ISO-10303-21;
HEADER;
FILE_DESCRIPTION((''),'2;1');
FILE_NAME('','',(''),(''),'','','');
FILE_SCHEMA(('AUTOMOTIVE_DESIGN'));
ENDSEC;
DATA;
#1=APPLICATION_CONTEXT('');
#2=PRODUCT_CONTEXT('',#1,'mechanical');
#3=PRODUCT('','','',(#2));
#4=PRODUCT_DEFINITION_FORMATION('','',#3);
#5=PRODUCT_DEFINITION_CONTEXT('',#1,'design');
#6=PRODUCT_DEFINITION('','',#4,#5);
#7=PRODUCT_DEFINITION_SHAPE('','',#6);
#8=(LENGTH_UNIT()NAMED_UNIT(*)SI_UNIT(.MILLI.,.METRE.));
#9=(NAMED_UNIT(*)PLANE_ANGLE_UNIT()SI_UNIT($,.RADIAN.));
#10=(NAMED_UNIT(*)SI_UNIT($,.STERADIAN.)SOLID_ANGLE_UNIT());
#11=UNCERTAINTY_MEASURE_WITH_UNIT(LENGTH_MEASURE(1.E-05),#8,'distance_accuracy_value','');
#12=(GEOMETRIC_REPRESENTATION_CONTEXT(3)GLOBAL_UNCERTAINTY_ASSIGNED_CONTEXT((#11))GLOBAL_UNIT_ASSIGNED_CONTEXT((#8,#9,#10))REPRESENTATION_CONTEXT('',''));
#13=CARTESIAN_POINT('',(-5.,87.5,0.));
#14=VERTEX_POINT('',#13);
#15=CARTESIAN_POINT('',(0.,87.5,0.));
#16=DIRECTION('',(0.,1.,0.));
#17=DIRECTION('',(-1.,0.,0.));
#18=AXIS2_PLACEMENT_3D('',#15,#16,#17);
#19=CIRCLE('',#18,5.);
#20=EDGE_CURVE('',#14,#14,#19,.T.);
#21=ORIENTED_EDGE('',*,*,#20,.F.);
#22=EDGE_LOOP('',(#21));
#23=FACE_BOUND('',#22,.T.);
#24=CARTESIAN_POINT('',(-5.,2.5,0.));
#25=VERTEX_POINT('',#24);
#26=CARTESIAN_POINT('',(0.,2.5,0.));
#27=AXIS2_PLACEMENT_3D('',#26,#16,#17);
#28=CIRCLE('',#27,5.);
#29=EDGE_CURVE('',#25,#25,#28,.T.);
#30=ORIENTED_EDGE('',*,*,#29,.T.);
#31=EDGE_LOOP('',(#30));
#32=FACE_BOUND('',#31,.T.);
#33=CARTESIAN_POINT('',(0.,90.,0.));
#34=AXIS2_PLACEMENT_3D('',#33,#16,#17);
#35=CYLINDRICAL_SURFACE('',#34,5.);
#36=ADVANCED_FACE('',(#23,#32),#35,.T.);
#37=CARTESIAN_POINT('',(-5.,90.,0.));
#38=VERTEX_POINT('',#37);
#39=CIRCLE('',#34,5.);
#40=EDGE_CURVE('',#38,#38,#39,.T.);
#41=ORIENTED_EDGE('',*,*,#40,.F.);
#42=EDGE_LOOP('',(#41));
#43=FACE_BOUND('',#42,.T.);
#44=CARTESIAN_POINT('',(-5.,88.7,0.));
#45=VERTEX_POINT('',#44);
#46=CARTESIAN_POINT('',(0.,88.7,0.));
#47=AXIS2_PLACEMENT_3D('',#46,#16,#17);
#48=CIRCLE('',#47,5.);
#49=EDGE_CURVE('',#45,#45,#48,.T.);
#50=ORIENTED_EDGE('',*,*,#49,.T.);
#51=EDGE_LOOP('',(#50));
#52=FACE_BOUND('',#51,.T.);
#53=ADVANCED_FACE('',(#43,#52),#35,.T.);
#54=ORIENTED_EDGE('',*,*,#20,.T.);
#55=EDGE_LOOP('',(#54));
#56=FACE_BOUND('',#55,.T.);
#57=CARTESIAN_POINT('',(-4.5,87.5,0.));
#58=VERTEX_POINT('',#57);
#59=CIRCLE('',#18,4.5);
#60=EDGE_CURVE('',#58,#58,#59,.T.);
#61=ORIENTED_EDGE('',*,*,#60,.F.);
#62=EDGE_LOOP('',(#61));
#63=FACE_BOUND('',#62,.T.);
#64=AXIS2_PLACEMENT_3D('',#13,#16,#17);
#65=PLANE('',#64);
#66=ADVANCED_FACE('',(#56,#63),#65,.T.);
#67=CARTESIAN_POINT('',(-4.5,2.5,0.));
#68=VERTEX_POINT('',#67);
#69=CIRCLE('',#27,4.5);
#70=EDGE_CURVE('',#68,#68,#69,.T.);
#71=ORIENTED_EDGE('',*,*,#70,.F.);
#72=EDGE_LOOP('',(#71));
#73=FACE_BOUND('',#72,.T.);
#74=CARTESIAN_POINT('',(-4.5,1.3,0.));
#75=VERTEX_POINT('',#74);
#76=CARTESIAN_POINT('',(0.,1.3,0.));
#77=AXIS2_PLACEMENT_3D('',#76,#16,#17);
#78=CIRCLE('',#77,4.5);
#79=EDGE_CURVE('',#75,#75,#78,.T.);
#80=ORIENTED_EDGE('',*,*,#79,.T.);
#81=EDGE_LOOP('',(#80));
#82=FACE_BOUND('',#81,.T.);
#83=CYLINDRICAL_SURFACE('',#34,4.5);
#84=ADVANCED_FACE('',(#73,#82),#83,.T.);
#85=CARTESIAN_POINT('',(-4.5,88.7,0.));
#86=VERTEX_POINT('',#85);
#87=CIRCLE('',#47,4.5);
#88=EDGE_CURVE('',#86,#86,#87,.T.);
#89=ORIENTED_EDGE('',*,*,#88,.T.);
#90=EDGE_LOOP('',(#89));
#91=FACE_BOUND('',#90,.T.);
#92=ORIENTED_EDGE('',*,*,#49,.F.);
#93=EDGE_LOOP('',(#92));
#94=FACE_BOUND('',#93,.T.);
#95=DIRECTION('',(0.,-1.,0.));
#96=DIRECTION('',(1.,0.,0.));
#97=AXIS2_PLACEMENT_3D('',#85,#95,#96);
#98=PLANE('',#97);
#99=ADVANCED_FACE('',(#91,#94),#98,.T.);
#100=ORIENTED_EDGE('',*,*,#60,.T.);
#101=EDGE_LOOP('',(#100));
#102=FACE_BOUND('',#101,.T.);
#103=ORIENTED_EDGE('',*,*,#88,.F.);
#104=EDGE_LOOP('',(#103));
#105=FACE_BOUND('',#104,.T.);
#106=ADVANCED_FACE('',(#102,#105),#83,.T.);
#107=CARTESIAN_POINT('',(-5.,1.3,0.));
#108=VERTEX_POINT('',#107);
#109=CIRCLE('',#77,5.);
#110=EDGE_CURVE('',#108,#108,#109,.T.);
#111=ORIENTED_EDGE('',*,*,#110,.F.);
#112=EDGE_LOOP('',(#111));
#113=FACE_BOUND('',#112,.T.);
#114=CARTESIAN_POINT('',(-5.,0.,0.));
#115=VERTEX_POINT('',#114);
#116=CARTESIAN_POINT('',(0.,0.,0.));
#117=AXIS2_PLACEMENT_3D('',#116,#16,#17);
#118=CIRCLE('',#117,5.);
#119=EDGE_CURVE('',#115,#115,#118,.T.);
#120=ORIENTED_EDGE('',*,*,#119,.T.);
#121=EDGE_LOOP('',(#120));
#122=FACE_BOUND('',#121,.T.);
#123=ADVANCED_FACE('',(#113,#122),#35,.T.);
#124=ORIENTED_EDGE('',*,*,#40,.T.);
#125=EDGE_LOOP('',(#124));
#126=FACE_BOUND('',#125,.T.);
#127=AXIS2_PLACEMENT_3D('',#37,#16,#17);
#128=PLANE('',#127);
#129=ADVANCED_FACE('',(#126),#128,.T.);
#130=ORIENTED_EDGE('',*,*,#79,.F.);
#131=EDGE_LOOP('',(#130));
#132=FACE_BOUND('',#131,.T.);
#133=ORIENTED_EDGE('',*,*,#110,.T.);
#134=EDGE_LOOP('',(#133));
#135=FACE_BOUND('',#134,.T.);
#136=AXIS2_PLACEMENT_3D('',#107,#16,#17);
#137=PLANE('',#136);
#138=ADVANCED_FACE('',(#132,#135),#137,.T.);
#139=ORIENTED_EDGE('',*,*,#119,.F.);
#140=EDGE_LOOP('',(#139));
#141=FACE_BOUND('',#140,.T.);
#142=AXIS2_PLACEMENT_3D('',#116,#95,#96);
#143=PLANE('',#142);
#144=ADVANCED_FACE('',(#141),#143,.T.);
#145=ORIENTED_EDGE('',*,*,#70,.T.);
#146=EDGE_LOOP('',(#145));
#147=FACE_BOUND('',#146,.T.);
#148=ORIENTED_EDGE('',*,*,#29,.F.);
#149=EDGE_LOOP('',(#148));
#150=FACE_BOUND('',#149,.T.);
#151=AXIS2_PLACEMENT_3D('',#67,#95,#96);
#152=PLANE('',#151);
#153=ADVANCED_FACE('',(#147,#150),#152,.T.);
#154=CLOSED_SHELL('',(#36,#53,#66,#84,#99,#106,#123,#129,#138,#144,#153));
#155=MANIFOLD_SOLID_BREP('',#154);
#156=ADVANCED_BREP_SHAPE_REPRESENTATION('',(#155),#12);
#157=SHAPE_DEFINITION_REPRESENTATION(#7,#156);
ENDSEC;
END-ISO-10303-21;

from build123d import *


with BuildPart() as part:
    # 草图1 → 旋转1 (revolve)
    with BuildSketch(Plane.XY):
        Polygon((0, 0), (-5, 0), (-5, 1.3), (-4.5, 1.3), (-4.5, 2.5), (-5, 2.5), (-5, 87.5), (-4.5, 87.5), (-4.5, 88.7), (-5, 88.7), (-5, 90), (0, 90), align=None)
    revolve(axis=Axis((0, 90, 0), (0, -1, 0)))


solid = part.part
